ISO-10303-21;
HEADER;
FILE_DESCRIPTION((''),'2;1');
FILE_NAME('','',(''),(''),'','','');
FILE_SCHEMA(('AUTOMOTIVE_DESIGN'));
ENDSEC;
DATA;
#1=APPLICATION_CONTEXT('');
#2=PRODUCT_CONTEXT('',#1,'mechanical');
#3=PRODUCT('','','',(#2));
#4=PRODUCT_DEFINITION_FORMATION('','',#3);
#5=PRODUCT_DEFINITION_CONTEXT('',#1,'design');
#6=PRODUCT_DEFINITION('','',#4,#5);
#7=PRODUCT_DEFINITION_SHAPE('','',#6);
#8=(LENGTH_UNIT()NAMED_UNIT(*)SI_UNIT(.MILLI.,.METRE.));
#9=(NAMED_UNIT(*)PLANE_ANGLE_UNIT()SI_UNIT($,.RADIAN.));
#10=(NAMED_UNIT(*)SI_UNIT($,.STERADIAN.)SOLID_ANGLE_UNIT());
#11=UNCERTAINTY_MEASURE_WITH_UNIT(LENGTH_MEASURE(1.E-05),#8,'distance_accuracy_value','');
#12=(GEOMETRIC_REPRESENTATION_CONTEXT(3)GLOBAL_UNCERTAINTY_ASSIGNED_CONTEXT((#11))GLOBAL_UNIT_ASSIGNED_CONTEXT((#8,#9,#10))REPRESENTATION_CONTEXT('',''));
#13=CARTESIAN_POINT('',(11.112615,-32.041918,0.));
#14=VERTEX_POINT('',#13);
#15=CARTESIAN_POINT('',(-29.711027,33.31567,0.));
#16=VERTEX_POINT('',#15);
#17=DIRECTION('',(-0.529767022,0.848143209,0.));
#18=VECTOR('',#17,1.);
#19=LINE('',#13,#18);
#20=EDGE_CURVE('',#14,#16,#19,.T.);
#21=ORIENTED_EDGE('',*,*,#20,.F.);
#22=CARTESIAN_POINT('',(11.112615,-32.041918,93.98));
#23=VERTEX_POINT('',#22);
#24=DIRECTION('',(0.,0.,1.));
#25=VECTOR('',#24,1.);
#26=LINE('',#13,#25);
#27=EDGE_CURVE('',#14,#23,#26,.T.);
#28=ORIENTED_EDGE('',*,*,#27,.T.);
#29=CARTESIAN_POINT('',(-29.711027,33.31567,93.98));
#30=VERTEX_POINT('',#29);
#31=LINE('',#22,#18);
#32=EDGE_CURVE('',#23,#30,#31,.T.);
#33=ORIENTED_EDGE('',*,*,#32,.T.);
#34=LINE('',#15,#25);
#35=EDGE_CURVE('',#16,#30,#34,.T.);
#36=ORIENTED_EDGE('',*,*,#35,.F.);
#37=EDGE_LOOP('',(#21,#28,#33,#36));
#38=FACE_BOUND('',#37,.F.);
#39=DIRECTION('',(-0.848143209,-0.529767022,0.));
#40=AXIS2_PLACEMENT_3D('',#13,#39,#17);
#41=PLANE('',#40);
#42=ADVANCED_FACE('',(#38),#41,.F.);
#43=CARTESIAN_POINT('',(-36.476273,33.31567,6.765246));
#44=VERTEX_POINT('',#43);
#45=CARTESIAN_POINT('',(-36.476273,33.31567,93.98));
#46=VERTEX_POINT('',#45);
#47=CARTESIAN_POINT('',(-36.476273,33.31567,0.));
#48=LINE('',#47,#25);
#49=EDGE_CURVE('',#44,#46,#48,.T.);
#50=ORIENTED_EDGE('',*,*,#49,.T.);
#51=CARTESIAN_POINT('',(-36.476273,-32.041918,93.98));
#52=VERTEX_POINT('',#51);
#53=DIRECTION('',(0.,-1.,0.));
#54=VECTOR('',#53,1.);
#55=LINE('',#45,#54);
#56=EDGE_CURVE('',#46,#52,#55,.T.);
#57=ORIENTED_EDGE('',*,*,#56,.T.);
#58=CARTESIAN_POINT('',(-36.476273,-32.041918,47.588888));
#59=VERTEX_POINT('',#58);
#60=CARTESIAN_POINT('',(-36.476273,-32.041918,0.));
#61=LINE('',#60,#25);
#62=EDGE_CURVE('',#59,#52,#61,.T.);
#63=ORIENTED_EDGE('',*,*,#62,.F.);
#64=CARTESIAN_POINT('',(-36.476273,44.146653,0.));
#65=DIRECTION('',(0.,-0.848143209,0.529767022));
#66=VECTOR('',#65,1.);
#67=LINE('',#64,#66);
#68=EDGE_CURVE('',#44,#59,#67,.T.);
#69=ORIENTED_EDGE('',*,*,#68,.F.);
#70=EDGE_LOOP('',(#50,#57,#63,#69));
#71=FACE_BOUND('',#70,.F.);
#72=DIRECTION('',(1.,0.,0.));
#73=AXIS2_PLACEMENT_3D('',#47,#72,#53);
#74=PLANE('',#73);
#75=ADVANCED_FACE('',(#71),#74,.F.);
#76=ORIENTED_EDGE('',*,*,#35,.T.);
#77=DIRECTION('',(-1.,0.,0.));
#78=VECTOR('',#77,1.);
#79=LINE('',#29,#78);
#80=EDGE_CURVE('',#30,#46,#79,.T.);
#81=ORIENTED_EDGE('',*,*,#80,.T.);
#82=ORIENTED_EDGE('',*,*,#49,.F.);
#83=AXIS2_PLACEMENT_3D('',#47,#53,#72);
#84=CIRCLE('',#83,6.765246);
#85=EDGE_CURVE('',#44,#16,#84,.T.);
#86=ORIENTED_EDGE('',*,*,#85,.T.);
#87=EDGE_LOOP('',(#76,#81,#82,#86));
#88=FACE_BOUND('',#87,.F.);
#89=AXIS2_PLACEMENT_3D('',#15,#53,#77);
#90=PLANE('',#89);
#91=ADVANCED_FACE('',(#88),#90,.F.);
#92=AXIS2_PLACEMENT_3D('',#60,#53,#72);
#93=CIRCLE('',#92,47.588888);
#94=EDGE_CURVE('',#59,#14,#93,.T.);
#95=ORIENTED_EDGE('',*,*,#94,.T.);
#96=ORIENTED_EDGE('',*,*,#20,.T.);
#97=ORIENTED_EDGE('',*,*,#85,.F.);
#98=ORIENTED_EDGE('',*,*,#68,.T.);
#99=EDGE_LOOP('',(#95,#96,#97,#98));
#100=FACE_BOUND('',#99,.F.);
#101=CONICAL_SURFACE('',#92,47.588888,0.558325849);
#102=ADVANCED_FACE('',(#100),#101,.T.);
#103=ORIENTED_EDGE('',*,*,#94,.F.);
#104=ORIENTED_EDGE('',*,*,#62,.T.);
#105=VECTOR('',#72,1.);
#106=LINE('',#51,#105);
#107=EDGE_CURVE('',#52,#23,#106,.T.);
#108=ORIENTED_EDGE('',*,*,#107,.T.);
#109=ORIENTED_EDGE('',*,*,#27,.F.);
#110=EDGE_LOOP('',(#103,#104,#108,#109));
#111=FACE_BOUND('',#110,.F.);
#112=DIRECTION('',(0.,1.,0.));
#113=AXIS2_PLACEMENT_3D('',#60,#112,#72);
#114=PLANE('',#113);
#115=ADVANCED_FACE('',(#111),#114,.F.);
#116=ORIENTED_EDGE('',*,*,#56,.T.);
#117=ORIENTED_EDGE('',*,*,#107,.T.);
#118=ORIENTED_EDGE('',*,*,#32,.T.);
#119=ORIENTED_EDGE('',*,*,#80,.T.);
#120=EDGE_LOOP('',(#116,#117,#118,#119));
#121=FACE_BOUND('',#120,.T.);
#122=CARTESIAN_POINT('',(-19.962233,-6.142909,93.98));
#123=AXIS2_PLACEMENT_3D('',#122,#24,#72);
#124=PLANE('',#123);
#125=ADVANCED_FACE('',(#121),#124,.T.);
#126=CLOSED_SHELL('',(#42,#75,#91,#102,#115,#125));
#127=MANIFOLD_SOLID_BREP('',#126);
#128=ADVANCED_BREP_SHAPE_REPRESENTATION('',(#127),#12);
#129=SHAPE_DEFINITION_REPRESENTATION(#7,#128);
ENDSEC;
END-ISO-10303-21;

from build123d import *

# Parameters (mm, degrees)
F2_DEPTH = 93.98


with BuildPart() as f1:
    # F0 (on Top) → F1 (revolve)
    with BuildSketch(Plane.XY):
        Polygon((-29.711027, 33.31567), (-36.476273, 33.31567), (-36.476273, -32.041918), (11.112615, -32.041918), align=None)
    revolve(axis=Axis((-36.476273, 0.636876, 0), (0, -1, 0)))

    # F0 (on Top) → F2 (join)
    with BuildSketch(Plane.XY):
        Polygon((-29.711027, 33.31567), (-36.476273, 33.31567), (-36.476273, -32.041918), (11.112615, -32.041918), align=None)
    extrude(amount=F2_DEPTH)


solid = f1.part
